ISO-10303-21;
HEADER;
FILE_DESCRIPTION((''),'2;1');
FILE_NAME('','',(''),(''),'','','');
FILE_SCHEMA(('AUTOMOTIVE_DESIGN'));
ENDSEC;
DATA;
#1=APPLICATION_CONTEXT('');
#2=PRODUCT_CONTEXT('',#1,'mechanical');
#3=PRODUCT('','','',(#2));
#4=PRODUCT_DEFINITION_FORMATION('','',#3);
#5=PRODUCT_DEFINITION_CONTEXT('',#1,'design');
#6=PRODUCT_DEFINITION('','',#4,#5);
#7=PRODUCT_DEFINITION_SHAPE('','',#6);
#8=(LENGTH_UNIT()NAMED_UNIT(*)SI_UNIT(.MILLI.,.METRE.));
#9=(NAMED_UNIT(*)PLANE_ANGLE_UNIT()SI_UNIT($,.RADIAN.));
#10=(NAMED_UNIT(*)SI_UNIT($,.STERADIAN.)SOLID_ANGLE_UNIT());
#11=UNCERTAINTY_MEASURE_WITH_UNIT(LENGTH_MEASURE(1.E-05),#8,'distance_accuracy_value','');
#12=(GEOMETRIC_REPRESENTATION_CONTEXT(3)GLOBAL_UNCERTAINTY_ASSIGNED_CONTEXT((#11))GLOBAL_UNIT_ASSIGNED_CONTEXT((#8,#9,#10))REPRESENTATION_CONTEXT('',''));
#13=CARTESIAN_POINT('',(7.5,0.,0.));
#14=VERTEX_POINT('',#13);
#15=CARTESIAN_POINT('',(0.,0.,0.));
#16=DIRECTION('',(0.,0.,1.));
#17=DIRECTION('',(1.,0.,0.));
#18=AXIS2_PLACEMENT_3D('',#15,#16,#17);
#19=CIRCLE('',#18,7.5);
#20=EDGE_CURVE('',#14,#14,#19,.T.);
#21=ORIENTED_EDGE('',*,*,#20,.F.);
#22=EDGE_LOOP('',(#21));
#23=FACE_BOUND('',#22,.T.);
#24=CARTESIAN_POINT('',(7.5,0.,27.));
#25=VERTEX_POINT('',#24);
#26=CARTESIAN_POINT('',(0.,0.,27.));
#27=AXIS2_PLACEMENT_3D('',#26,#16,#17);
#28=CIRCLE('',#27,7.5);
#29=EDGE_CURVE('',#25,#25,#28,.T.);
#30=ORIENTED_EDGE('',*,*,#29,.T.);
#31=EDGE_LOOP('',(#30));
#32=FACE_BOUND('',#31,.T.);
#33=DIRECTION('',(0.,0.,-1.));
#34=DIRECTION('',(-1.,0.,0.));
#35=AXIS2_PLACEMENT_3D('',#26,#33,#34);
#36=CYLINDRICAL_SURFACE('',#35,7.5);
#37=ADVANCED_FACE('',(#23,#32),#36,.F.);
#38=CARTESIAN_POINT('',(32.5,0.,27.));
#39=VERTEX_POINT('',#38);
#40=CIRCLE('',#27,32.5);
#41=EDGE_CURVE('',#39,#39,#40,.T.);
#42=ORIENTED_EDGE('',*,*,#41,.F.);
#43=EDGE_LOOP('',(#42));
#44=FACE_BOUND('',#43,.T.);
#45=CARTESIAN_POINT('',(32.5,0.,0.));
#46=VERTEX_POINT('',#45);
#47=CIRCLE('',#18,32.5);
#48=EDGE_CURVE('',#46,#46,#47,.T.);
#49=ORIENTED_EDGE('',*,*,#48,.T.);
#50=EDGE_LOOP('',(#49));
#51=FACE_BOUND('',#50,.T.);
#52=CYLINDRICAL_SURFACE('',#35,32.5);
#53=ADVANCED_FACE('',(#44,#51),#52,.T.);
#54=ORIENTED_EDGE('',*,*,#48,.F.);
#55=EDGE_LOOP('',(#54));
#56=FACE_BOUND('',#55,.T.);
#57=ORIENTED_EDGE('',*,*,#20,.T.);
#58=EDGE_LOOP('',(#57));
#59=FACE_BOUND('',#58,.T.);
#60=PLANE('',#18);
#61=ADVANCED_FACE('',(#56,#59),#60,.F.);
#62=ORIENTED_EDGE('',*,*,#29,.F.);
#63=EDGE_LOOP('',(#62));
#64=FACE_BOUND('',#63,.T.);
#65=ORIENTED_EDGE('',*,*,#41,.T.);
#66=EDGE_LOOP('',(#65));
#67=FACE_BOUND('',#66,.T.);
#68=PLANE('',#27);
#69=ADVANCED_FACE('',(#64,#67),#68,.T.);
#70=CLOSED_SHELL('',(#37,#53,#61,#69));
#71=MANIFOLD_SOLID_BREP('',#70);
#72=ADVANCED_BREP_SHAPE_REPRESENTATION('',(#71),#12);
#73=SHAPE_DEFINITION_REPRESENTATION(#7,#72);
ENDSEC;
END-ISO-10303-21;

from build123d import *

# Parameters (mm, degrees)
SKETCH_1_R      = 32.5
SKETCH_1_R_2    = 7.5
EXTRUDE_1_DEPTH = 27


with BuildPart() as part:
    # 草图1 → 凸台-拉伸1 (new body)
    with BuildSketch(Plane.XY):
        Circle(SKETCH_1_R)
        Circle(SKETCH_1_R_2, mode=Mode.SUBTRACT)
    extrude(amount=EXTRUDE_1_DEPTH)


solid = part.part
